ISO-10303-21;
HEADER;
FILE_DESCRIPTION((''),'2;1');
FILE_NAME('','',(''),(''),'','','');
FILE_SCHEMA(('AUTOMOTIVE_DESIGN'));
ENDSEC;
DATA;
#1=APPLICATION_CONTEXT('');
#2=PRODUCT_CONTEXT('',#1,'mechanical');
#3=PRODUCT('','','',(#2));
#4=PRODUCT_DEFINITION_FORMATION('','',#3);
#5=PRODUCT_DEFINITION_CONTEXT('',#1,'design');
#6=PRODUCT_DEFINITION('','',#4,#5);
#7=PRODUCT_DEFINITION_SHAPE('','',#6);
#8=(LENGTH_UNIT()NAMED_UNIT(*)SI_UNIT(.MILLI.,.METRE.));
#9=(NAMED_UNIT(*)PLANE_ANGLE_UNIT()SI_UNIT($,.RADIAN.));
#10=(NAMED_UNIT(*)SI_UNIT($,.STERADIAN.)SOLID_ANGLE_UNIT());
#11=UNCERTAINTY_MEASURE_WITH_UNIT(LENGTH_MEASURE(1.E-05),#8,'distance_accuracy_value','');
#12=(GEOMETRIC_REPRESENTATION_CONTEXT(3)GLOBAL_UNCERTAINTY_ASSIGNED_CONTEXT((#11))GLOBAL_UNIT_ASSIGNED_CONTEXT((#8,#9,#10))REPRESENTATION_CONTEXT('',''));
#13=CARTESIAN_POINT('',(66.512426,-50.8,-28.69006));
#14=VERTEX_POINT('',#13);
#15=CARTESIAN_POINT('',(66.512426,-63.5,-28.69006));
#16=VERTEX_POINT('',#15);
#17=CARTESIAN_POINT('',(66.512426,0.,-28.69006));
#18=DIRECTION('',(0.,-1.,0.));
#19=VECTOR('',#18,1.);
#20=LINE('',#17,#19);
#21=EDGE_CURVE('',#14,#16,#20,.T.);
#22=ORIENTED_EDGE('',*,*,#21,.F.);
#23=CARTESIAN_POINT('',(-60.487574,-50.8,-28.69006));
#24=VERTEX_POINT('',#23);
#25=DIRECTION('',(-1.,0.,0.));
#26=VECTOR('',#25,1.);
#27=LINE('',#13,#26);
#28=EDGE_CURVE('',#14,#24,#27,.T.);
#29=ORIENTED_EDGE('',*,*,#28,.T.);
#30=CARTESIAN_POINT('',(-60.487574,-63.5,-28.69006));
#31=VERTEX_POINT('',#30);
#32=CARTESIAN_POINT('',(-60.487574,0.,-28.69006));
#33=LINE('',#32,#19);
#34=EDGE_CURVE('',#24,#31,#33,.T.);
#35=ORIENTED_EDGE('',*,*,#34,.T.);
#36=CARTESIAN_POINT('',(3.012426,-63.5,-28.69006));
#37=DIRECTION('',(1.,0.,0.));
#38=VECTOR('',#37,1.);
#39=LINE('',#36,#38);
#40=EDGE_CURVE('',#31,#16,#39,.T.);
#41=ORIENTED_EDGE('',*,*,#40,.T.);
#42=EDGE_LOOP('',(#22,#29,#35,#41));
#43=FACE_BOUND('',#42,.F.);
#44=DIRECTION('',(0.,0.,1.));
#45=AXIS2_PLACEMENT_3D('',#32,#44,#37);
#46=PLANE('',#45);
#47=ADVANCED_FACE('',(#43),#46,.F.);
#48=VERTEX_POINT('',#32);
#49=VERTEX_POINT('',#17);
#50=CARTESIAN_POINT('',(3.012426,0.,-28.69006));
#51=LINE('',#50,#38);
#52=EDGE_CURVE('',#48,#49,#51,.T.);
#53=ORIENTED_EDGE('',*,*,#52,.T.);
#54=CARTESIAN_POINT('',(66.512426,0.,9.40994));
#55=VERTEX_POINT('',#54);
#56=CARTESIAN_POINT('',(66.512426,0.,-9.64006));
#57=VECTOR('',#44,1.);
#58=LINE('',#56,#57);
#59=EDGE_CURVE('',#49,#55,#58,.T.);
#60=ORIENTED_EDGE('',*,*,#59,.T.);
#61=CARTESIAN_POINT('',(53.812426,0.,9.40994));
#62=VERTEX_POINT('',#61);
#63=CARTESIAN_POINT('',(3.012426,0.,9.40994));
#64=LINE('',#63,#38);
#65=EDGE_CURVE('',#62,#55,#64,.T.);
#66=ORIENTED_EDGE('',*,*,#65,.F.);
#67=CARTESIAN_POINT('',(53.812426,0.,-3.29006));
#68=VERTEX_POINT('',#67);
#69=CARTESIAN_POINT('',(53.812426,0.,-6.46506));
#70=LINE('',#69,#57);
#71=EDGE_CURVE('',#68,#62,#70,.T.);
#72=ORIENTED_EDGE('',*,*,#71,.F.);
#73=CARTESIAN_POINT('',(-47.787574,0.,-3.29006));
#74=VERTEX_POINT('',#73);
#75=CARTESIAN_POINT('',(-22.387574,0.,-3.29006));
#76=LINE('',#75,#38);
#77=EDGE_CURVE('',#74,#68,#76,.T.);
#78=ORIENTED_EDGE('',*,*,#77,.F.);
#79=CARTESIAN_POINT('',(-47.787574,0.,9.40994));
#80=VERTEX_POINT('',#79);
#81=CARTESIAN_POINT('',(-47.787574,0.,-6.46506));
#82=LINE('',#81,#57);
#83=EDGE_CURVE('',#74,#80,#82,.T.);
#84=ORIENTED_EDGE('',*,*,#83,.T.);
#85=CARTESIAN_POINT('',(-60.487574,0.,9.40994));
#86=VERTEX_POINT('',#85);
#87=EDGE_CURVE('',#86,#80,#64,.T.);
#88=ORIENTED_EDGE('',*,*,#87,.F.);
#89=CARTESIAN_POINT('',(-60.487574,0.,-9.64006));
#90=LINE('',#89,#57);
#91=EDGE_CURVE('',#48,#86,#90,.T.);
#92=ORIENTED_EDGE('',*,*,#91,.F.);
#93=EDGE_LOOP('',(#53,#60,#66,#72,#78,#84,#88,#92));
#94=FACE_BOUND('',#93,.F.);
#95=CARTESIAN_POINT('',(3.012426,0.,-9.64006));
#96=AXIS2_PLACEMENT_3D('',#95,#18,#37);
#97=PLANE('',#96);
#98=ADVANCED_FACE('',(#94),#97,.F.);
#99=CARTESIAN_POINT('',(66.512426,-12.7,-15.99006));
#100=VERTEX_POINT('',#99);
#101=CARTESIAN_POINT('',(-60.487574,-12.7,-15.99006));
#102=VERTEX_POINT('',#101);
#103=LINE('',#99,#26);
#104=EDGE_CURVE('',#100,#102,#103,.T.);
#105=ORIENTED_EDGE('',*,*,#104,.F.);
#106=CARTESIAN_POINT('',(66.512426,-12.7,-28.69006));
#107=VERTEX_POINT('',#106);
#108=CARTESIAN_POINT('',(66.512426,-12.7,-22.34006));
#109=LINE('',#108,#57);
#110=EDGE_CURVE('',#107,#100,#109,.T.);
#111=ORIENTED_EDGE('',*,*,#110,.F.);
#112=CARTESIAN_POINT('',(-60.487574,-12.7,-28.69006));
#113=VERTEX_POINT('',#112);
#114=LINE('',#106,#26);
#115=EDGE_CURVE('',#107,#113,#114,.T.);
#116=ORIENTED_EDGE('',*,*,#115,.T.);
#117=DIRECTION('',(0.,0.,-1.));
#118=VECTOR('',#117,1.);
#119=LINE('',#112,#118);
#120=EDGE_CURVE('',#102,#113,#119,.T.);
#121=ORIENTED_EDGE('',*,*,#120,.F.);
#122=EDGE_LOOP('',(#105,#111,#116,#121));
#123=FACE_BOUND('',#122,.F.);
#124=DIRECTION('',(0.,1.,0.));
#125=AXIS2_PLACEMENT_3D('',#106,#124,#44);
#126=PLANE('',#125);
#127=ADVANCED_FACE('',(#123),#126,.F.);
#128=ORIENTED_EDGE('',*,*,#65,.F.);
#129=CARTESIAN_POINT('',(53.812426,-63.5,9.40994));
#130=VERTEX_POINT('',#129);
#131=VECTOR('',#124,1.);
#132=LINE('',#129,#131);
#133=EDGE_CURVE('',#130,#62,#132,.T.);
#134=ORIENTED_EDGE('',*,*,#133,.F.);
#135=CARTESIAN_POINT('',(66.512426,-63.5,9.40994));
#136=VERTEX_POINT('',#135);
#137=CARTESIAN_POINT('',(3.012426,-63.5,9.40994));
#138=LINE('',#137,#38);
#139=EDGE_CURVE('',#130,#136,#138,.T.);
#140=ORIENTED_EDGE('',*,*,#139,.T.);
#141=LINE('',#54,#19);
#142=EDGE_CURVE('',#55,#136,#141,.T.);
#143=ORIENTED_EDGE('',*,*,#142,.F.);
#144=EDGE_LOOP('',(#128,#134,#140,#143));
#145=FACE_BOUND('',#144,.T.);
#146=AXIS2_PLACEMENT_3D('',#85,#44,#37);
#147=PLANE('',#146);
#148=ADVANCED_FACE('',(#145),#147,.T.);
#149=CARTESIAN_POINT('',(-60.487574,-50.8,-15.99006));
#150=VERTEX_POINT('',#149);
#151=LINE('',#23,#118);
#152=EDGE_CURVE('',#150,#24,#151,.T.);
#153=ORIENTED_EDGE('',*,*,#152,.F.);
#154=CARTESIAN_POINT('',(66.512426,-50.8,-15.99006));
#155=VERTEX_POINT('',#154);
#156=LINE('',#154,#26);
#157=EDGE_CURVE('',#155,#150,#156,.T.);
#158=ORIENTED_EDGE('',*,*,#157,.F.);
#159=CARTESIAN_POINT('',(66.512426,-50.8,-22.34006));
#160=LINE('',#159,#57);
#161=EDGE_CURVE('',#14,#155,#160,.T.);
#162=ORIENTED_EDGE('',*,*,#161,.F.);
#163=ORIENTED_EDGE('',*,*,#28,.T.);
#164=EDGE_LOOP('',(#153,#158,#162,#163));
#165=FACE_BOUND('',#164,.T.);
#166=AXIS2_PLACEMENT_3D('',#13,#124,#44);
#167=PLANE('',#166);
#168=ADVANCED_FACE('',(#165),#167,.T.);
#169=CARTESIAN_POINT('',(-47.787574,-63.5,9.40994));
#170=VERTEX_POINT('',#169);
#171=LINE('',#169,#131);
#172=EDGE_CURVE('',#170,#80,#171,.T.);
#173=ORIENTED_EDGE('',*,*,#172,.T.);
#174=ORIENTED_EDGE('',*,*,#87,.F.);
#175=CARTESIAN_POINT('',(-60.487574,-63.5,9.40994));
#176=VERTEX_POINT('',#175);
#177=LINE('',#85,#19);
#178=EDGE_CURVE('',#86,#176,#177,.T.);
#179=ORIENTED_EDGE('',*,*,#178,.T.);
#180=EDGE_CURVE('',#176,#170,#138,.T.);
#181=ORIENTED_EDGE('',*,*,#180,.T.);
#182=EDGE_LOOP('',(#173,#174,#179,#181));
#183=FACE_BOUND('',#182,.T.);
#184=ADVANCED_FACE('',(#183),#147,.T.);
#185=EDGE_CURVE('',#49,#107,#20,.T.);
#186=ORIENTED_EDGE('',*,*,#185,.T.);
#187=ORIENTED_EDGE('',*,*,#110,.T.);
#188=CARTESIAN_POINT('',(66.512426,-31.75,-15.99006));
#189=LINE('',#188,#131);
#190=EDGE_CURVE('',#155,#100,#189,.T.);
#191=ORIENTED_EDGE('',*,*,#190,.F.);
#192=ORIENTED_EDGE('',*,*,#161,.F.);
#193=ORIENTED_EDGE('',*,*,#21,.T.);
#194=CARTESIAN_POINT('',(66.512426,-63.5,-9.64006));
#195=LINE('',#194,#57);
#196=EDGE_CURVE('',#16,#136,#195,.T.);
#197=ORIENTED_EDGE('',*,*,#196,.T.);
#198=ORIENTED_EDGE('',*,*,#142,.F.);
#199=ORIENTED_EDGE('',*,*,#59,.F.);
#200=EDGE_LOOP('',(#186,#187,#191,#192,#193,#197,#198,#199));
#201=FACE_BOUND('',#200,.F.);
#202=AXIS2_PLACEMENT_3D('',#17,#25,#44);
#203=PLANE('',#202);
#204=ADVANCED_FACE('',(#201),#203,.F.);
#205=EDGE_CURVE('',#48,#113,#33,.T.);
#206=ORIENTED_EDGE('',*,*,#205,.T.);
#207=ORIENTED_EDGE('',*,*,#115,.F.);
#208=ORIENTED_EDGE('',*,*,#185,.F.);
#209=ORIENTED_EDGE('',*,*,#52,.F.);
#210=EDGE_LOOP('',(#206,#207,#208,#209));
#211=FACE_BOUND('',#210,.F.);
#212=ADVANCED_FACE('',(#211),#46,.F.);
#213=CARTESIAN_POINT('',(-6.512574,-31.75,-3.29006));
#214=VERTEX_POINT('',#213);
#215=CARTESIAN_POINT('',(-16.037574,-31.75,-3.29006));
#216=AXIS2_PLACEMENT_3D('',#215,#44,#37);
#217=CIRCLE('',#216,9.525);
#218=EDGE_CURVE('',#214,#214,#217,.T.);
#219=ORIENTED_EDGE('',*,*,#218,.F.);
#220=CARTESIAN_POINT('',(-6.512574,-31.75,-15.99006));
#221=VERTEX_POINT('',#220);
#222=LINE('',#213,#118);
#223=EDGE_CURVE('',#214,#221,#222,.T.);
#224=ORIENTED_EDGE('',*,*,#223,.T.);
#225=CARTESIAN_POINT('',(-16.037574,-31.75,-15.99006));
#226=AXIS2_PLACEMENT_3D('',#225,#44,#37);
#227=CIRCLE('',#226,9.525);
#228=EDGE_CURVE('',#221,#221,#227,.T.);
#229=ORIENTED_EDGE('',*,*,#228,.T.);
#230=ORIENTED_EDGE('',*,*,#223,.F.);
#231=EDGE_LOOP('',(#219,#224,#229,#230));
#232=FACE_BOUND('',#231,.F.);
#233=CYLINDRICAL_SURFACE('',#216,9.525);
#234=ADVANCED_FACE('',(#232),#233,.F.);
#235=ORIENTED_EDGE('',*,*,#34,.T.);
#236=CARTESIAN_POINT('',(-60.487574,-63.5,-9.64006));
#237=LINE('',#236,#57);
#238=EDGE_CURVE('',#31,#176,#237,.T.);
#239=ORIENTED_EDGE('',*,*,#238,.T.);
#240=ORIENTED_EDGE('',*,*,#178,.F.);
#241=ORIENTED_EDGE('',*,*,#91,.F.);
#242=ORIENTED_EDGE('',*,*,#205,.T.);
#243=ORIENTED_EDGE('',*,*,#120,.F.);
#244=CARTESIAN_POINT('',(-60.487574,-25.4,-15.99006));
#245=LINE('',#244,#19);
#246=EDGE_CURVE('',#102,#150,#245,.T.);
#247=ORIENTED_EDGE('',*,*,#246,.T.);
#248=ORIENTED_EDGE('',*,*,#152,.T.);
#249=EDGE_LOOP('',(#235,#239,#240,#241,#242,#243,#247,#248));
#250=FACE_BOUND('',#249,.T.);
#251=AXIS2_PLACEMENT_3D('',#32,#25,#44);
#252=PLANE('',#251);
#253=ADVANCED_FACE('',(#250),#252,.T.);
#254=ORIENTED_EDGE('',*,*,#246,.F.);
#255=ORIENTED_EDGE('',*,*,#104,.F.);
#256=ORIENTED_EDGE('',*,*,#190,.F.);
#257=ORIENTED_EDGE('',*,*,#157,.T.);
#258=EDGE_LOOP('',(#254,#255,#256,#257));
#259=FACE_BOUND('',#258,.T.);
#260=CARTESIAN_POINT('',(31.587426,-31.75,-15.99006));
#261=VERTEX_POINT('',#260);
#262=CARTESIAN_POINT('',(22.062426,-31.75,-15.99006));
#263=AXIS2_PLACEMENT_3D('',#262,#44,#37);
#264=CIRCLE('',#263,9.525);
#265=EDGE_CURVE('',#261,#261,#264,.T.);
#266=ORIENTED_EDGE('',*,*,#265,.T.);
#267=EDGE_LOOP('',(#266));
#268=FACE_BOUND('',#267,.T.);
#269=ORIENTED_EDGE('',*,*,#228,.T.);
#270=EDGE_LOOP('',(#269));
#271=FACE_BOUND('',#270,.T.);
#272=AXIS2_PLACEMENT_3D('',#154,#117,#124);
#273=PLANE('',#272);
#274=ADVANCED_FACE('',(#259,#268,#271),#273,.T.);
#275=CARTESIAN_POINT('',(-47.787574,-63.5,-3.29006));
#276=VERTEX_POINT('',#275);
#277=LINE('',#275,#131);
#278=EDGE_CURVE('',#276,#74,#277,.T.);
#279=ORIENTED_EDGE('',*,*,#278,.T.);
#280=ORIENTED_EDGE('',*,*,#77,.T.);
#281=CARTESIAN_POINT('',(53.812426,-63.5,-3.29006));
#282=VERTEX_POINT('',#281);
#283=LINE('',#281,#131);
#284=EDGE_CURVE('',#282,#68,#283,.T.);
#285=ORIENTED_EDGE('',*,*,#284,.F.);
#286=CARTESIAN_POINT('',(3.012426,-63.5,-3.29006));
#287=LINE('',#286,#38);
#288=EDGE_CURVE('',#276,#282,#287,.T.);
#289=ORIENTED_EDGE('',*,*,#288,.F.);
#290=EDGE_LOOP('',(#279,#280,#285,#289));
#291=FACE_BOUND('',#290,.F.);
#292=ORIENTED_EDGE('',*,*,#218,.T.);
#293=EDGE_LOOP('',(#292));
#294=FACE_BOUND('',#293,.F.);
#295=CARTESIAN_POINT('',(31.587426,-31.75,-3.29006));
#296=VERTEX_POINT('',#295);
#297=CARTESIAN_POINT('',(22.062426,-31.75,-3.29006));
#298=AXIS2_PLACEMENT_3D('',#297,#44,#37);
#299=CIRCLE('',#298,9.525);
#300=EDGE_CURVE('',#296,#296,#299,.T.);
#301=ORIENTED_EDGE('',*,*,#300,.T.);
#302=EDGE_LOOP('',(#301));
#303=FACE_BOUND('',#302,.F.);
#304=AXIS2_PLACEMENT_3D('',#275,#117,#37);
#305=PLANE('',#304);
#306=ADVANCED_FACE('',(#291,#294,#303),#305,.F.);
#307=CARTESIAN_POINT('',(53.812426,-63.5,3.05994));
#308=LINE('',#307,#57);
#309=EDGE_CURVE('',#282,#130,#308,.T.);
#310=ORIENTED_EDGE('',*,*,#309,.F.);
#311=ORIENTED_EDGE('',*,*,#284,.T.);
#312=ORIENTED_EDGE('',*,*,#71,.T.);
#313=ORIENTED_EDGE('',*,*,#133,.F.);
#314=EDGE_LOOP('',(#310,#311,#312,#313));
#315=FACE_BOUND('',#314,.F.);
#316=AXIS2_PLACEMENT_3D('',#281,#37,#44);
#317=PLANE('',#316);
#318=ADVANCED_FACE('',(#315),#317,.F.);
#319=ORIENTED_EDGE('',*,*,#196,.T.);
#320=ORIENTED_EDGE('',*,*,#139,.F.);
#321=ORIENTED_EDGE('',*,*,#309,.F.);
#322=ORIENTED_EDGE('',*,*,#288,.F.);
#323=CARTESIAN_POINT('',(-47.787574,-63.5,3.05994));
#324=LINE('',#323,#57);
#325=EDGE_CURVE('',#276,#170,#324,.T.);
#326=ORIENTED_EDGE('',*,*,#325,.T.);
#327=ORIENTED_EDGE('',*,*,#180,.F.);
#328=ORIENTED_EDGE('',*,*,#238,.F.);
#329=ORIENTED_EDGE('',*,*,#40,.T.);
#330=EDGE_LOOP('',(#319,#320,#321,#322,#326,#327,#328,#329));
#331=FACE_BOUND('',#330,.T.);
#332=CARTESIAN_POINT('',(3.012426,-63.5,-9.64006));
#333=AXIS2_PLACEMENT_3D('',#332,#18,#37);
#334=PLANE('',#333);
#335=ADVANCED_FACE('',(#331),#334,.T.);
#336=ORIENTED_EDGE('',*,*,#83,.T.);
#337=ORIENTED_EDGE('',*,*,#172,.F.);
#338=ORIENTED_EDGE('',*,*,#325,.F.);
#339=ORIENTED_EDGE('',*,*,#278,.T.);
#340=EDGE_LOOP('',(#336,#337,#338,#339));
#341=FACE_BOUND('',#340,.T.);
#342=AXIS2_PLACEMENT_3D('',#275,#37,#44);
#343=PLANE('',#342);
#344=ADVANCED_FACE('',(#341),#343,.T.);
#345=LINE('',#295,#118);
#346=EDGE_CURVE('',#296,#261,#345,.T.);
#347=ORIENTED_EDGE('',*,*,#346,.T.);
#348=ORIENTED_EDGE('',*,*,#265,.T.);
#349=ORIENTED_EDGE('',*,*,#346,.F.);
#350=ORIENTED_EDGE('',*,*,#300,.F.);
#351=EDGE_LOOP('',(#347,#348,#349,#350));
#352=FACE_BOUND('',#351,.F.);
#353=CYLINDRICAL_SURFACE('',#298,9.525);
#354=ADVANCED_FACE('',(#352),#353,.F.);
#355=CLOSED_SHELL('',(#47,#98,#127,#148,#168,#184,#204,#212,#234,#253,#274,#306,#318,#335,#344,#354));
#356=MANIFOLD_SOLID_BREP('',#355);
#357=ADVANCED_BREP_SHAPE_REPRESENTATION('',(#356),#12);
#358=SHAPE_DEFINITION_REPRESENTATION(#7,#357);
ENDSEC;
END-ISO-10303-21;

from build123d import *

# Parameters (mm, degrees)
F0_W     = 127
F0_H     = 38.1
F1_DEPTH = 63.5
F2_W     = 101.6
F2_H     = 12.7
F3_DEPTH = 63.501
F4_W     = 38.1
F4_H     = 12.7
F5_DEPTH = 127.001
F6_R     = 9.525
F7_DEPTH = 25.401


with BuildPart() as f1:
    # F0 (on Front) → F1 (new body)
    with BuildSketch(Plane.XZ):
        with Locations((3.012426, -9.64006)):
            Rectangle(F0_W, F0_H)
    extrude(amount=F1_DEPTH)

    # F2 (on face) → F3 (cut, through all)
    with BuildSketch(Plane.XZ.offset(63.5)):
        with Locations((3.012426, 3.05994)):
            Rectangle(F2_W, F2_H)
    extrude(amount=-F3_DEPTH, mode=Mode.SUBTRACT)

    # F4 (on face) → F5 (cut, through all)
    with BuildSketch(Plane.YZ.offset(66.512426)):
        with Locations((-31.75, -22.34006)):
            Rectangle(F4_W, F4_H)
    extrude(amount=-F5_DEPTH, mode=Mode.SUBTRACT)

    # F6 (on face) → F7 (cut, through all)
    with BuildSketch(Plane.XY.offset(-3.29006)):
        with Locations((-16.037574, -31.75)):
            Circle(F6_R)
        with Locations((22.062426, -31.75)):
            Circle(F6_R)
    extrude(amount=-F7_DEPTH, mode=Mode.SUBTRACT)


solid = f1.part
